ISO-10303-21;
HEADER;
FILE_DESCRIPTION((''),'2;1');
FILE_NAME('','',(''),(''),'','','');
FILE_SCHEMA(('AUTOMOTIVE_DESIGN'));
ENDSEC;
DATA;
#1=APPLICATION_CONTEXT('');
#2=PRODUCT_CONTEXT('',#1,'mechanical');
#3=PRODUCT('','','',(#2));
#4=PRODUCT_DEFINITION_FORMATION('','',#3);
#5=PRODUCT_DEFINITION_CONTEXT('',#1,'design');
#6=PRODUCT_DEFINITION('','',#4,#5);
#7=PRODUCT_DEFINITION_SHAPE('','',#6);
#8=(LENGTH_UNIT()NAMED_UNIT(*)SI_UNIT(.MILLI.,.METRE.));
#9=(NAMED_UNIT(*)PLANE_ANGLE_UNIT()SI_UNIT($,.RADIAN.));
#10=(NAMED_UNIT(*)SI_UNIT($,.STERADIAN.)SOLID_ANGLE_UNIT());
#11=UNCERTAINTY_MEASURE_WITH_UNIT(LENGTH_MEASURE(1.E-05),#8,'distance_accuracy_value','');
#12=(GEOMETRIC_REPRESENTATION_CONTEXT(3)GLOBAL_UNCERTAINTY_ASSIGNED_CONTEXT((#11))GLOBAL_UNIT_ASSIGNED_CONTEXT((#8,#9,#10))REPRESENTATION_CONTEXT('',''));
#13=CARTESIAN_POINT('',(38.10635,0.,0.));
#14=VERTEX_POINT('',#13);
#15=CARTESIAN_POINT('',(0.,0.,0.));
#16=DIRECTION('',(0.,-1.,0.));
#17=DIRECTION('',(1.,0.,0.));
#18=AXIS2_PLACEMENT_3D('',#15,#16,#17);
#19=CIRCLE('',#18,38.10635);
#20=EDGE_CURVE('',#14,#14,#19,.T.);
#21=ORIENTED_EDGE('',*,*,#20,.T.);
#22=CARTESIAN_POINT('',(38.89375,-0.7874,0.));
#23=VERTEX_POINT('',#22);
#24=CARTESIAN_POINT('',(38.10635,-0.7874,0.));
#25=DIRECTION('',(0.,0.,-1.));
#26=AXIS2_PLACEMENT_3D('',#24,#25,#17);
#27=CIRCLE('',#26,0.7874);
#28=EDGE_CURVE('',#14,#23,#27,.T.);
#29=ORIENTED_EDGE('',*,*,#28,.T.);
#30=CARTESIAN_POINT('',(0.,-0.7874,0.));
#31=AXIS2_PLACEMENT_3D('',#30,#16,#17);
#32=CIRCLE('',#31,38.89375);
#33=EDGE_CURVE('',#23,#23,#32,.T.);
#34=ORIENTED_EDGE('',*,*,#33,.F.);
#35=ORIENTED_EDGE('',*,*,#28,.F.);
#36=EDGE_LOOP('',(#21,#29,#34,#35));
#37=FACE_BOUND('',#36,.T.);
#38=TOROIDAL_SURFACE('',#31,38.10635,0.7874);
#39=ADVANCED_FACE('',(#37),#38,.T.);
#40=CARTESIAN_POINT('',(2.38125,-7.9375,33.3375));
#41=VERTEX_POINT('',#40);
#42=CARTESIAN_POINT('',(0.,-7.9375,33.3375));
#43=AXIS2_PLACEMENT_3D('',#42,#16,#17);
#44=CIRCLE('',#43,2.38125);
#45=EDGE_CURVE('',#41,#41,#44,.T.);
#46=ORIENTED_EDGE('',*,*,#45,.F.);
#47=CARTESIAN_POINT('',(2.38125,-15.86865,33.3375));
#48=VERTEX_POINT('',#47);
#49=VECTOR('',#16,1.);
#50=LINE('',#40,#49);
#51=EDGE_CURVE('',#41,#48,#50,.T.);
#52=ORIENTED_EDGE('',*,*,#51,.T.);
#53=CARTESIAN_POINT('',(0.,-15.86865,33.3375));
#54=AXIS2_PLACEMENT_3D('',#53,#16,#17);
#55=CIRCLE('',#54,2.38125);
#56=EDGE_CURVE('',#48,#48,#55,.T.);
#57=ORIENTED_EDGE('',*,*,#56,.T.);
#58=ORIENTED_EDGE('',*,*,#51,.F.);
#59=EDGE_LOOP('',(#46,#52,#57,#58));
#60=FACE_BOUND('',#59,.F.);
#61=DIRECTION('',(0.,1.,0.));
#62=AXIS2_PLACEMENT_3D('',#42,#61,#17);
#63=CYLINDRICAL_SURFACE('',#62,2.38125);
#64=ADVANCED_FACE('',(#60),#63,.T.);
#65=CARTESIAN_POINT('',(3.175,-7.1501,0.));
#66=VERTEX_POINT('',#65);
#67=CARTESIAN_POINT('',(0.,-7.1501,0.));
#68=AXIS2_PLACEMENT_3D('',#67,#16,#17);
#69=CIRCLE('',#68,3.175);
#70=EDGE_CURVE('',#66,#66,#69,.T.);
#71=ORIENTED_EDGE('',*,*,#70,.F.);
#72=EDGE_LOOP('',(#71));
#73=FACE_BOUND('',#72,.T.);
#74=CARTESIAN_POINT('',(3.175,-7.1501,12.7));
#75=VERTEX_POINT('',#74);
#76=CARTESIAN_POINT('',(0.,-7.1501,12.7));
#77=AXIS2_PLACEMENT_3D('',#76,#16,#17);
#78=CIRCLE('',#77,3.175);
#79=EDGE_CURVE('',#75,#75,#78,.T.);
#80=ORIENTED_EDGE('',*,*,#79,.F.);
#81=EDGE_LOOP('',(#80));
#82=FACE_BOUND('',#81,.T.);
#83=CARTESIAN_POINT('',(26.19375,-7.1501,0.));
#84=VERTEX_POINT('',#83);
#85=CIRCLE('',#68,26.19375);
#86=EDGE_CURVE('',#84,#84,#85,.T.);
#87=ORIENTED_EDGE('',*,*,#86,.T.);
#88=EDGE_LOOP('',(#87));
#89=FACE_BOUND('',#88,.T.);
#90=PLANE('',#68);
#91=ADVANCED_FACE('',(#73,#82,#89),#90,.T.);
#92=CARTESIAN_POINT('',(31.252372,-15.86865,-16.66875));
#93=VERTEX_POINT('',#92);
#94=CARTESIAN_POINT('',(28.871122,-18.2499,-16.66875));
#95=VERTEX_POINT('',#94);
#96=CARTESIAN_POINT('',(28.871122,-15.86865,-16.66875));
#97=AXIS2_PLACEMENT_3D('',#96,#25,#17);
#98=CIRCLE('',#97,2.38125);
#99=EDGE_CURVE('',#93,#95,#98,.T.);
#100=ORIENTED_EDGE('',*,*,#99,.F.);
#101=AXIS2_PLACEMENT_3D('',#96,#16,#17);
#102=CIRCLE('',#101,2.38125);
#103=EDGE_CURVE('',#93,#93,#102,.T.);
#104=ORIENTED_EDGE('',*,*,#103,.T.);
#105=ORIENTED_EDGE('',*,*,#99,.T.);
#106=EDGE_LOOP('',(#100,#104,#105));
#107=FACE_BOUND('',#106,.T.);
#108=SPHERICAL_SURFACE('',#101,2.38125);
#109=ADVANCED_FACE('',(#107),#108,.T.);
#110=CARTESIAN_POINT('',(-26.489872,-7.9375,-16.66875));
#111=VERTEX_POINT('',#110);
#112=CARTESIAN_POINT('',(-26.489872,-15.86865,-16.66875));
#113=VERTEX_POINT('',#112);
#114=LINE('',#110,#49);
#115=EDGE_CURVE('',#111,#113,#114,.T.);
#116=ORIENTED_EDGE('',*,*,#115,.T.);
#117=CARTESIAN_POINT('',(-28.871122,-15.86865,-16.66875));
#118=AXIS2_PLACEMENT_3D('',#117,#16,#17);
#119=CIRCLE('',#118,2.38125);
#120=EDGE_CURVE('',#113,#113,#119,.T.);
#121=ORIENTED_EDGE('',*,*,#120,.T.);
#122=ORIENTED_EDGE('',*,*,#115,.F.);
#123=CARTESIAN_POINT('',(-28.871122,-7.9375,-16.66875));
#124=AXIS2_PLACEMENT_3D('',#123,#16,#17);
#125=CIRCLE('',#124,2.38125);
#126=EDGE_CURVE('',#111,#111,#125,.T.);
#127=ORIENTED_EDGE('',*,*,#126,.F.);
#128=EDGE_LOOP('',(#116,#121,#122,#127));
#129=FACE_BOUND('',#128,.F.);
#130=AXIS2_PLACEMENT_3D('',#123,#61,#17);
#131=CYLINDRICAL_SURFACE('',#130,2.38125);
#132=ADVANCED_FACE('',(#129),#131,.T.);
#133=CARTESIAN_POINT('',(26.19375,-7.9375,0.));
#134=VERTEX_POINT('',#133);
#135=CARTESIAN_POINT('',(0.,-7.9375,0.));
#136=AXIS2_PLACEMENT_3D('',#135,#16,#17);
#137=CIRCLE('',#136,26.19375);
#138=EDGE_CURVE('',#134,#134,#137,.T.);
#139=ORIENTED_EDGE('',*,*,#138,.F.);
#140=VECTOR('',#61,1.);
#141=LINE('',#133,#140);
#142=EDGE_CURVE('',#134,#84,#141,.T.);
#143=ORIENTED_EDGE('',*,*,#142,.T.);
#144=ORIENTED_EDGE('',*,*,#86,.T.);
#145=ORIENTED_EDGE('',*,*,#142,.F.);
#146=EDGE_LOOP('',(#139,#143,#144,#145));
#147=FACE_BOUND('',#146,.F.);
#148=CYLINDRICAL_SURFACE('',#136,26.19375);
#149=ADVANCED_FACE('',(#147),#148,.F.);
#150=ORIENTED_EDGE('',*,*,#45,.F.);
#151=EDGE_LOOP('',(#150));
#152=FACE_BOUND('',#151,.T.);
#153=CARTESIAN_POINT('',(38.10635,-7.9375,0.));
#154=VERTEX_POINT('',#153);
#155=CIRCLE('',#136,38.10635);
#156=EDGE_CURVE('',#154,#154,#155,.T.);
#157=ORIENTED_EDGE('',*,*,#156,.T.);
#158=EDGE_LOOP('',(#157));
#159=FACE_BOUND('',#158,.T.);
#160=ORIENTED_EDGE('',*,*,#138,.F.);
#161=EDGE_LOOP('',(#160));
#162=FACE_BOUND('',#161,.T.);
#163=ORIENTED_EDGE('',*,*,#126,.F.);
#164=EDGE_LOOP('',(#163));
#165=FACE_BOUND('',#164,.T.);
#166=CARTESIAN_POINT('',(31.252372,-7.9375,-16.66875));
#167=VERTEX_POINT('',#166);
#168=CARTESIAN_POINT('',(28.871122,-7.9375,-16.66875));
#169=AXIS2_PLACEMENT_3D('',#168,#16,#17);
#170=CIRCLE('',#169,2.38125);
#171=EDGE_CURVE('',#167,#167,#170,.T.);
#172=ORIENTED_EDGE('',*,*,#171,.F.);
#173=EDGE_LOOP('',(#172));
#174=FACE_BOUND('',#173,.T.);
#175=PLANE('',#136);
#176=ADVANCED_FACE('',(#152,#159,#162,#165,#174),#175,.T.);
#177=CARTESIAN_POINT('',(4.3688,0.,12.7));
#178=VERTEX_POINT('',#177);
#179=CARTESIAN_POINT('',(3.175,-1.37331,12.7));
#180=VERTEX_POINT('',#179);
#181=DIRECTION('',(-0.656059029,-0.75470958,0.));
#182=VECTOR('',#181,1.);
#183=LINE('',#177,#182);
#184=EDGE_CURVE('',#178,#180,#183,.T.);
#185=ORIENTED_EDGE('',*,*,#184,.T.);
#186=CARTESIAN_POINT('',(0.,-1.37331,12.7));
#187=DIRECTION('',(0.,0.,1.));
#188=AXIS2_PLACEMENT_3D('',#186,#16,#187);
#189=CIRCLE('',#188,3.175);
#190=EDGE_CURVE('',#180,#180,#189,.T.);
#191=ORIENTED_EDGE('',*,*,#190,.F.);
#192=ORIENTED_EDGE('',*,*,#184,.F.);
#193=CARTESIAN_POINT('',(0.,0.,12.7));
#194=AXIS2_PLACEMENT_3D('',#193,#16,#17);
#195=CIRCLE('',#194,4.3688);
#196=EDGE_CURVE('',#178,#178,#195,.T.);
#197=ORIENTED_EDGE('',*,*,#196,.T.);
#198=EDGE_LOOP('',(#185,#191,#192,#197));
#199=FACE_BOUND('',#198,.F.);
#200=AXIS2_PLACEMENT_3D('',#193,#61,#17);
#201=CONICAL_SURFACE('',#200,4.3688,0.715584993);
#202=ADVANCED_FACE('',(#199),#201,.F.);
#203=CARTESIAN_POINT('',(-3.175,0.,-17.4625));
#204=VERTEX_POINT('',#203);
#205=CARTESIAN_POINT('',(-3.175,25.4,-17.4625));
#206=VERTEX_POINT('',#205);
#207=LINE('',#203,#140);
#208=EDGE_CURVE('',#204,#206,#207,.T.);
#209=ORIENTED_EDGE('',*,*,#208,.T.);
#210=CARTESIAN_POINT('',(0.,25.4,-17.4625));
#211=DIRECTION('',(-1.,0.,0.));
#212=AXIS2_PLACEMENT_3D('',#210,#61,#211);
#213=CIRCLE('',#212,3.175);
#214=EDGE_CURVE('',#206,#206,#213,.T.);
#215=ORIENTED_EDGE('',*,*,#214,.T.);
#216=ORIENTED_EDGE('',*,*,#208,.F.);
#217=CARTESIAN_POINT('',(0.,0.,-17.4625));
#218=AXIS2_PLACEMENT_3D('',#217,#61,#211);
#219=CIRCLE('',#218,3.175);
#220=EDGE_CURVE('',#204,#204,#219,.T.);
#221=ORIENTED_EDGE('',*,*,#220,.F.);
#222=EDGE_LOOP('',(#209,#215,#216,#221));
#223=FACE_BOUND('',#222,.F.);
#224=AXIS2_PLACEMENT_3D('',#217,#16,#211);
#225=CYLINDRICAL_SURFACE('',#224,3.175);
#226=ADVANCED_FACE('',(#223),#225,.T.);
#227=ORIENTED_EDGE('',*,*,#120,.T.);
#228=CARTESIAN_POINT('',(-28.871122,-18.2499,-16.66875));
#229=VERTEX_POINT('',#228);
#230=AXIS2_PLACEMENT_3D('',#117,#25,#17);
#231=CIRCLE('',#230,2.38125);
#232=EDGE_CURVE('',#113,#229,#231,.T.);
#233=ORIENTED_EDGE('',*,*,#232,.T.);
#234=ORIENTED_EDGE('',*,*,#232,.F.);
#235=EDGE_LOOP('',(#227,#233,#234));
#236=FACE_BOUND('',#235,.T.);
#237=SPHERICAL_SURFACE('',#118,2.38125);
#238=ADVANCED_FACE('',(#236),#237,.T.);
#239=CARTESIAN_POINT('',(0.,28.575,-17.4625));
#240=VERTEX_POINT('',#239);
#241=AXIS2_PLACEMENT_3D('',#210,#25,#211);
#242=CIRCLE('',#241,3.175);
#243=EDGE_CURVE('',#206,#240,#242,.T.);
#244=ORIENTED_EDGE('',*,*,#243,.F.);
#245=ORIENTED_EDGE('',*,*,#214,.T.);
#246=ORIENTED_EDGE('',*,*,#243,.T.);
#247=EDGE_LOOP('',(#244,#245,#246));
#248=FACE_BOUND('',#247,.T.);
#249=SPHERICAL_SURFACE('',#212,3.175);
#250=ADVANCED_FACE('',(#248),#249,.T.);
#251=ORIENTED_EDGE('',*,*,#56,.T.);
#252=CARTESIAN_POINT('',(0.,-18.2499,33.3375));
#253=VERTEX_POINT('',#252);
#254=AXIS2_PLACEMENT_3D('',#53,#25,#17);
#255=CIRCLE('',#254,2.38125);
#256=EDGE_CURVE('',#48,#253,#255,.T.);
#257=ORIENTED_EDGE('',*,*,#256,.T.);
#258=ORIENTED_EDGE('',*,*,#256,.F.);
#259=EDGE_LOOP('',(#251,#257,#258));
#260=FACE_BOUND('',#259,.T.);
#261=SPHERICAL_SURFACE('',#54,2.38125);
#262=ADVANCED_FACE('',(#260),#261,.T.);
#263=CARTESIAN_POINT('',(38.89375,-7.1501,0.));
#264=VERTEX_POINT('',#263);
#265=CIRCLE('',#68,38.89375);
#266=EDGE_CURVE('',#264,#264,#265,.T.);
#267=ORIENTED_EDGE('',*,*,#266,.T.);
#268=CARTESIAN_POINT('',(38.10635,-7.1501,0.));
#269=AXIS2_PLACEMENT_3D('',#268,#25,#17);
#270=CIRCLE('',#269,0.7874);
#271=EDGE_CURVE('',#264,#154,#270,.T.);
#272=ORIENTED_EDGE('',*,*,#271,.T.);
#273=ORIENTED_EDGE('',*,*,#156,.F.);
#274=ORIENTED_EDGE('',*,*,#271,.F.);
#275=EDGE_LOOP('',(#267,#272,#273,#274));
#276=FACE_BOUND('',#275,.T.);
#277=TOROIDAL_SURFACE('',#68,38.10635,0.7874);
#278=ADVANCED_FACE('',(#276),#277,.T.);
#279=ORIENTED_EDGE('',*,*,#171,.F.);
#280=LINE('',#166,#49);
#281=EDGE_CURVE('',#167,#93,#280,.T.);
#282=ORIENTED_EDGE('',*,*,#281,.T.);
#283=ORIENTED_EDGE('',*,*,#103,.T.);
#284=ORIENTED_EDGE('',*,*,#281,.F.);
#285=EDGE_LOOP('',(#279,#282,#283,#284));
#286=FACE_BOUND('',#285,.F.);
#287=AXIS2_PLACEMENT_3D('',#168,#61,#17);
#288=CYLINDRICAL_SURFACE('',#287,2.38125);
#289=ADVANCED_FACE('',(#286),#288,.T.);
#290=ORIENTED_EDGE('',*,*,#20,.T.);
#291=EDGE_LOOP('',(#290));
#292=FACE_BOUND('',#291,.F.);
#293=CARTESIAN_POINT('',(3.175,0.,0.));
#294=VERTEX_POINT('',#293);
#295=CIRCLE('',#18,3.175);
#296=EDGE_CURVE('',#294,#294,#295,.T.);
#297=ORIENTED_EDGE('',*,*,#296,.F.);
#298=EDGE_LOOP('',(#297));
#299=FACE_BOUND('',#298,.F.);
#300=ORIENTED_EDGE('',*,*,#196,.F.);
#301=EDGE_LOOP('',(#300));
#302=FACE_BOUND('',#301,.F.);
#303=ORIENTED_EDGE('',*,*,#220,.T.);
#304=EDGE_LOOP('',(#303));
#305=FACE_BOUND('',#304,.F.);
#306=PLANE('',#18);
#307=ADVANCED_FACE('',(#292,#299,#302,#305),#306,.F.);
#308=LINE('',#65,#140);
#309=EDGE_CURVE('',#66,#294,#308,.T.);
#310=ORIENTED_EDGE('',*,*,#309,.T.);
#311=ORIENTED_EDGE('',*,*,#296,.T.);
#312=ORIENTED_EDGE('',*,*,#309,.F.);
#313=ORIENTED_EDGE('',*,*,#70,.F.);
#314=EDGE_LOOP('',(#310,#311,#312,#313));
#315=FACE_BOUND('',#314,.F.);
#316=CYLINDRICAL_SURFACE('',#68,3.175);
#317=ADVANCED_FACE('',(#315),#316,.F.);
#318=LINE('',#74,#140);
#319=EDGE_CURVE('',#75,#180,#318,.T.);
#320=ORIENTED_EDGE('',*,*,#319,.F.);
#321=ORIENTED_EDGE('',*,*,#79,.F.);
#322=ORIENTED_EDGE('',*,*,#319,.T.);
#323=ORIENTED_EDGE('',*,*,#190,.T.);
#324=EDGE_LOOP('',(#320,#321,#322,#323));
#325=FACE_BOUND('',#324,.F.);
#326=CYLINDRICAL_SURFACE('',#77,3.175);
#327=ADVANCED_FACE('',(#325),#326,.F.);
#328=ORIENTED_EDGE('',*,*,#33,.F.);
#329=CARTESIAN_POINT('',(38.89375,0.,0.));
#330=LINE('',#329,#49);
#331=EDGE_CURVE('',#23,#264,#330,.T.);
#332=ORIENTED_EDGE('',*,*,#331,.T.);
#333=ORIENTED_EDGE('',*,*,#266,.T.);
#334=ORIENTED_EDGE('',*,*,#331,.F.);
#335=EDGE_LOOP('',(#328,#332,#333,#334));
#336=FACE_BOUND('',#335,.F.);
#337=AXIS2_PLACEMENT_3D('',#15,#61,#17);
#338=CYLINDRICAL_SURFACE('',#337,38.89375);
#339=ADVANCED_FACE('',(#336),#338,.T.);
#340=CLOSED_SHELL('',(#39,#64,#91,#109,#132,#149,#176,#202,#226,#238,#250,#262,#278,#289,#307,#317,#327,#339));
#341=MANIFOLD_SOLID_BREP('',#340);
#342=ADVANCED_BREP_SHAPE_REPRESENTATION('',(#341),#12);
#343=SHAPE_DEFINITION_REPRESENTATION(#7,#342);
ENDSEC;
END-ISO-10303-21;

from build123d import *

# Parameters (mm, degrees)
F0_R            = 38.89375
F1_DEPTH        = 7.9375
F2_R            = 26.19375
F3_DEPTH        = 0.7874
F4_R            = 2.38125
F5_DEPTH        = 10.3124
F6_R            = 2.38125
F7_R            = 3.175
F8_DEPTH        = 7.1511
F10_D           = 6.35
F10_CSINK_D     = 8.7376
F10_CSINK_ANGLE = 82
F11_R           = 3.175
F12_DEPTH       = 28.575
F13_R           = 3.175
F14_R           = 0.7874


with BuildPart() as f1:
    # F0 (on Front) → F1 (new body)
    with BuildSketch(Plane.XZ):
        Circle(F0_R)
    extrude(amount=F1_DEPTH)

    # F2 (on face) → F3 (cut)
    with BuildSketch(Plane.XZ.offset(7.9375)):
        Circle(F2_R)
    extrude(amount=-F3_DEPTH, mode=Mode.SUBTRACT)

    # F4 (on face) → F5 (join)
    with BuildSketch(Plane.XZ.offset(7.9375)):
        with Locations((0, 33.3375)):
            Circle(F4_R)
        with Locations((-28.871122, -16.66875)):
            Circle(F4_R)
        with Locations((28.871122, -16.66875)):
            Circle(F4_R)
    extrude(amount=F5_DEPTH)

    # F6
    f6_edges = [f1.edges().sort_by_distance(p)[0] for p in [
        (-2.38125, -18.2499, 33.3375),
        (26.489872, -18.2499, -16.66875),
        (-31.252372, -18.2499, -16.66875),
    ]]
    fillet(f6_edges, radius=F6_R)

    # F7 (on face) → F8 (cut, through all)
    with BuildSketch(Plane.XZ.offset(7.1501)):
        Circle(F7_R)
        with Locations((0, 12.7)):
            Circle(F7_R)
    extrude(amount=-F8_DEPTH, mode=Mode.SUBTRACT)

    # F10 (through all)
    with Locations(Plane(origin=(0, 0, 0), x_dir=(-1, 0, 0), z_dir=(0, 1, 0))):
        with Locations((0, 12.7)):
            CounterSinkHole(F10_D / 2, F10_CSINK_D / 2, counter_sink_angle=F10_CSINK_ANGLE)

    # F11 (on face) → F12 (join)
    with BuildSketch(Plane(origin=(0, 0, 0), x_dir=(-1, 0, 0), z_dir=(0, 1, 0))):
        with Locations((0, -17.4625)):
            Circle(F11_R)
    extrude(amount=F12_DEPTH)

    # F13
    f13_edges = [f1.edges().sort_by_distance(p)[0] for p in [
        (3.175, 28.575, -17.4625),
    ]]
    fillet(f13_edges, radius=F13_R)

    # F14
    f14_edges = [f1.edges().sort_by_distance(p)[0] for p in [
        (-38.89375, -7.9375, 0),
        (-38.89375, 0, 0),
    ]]
    fillet(f14_edges, radius=F14_R)


solid = f1.part
